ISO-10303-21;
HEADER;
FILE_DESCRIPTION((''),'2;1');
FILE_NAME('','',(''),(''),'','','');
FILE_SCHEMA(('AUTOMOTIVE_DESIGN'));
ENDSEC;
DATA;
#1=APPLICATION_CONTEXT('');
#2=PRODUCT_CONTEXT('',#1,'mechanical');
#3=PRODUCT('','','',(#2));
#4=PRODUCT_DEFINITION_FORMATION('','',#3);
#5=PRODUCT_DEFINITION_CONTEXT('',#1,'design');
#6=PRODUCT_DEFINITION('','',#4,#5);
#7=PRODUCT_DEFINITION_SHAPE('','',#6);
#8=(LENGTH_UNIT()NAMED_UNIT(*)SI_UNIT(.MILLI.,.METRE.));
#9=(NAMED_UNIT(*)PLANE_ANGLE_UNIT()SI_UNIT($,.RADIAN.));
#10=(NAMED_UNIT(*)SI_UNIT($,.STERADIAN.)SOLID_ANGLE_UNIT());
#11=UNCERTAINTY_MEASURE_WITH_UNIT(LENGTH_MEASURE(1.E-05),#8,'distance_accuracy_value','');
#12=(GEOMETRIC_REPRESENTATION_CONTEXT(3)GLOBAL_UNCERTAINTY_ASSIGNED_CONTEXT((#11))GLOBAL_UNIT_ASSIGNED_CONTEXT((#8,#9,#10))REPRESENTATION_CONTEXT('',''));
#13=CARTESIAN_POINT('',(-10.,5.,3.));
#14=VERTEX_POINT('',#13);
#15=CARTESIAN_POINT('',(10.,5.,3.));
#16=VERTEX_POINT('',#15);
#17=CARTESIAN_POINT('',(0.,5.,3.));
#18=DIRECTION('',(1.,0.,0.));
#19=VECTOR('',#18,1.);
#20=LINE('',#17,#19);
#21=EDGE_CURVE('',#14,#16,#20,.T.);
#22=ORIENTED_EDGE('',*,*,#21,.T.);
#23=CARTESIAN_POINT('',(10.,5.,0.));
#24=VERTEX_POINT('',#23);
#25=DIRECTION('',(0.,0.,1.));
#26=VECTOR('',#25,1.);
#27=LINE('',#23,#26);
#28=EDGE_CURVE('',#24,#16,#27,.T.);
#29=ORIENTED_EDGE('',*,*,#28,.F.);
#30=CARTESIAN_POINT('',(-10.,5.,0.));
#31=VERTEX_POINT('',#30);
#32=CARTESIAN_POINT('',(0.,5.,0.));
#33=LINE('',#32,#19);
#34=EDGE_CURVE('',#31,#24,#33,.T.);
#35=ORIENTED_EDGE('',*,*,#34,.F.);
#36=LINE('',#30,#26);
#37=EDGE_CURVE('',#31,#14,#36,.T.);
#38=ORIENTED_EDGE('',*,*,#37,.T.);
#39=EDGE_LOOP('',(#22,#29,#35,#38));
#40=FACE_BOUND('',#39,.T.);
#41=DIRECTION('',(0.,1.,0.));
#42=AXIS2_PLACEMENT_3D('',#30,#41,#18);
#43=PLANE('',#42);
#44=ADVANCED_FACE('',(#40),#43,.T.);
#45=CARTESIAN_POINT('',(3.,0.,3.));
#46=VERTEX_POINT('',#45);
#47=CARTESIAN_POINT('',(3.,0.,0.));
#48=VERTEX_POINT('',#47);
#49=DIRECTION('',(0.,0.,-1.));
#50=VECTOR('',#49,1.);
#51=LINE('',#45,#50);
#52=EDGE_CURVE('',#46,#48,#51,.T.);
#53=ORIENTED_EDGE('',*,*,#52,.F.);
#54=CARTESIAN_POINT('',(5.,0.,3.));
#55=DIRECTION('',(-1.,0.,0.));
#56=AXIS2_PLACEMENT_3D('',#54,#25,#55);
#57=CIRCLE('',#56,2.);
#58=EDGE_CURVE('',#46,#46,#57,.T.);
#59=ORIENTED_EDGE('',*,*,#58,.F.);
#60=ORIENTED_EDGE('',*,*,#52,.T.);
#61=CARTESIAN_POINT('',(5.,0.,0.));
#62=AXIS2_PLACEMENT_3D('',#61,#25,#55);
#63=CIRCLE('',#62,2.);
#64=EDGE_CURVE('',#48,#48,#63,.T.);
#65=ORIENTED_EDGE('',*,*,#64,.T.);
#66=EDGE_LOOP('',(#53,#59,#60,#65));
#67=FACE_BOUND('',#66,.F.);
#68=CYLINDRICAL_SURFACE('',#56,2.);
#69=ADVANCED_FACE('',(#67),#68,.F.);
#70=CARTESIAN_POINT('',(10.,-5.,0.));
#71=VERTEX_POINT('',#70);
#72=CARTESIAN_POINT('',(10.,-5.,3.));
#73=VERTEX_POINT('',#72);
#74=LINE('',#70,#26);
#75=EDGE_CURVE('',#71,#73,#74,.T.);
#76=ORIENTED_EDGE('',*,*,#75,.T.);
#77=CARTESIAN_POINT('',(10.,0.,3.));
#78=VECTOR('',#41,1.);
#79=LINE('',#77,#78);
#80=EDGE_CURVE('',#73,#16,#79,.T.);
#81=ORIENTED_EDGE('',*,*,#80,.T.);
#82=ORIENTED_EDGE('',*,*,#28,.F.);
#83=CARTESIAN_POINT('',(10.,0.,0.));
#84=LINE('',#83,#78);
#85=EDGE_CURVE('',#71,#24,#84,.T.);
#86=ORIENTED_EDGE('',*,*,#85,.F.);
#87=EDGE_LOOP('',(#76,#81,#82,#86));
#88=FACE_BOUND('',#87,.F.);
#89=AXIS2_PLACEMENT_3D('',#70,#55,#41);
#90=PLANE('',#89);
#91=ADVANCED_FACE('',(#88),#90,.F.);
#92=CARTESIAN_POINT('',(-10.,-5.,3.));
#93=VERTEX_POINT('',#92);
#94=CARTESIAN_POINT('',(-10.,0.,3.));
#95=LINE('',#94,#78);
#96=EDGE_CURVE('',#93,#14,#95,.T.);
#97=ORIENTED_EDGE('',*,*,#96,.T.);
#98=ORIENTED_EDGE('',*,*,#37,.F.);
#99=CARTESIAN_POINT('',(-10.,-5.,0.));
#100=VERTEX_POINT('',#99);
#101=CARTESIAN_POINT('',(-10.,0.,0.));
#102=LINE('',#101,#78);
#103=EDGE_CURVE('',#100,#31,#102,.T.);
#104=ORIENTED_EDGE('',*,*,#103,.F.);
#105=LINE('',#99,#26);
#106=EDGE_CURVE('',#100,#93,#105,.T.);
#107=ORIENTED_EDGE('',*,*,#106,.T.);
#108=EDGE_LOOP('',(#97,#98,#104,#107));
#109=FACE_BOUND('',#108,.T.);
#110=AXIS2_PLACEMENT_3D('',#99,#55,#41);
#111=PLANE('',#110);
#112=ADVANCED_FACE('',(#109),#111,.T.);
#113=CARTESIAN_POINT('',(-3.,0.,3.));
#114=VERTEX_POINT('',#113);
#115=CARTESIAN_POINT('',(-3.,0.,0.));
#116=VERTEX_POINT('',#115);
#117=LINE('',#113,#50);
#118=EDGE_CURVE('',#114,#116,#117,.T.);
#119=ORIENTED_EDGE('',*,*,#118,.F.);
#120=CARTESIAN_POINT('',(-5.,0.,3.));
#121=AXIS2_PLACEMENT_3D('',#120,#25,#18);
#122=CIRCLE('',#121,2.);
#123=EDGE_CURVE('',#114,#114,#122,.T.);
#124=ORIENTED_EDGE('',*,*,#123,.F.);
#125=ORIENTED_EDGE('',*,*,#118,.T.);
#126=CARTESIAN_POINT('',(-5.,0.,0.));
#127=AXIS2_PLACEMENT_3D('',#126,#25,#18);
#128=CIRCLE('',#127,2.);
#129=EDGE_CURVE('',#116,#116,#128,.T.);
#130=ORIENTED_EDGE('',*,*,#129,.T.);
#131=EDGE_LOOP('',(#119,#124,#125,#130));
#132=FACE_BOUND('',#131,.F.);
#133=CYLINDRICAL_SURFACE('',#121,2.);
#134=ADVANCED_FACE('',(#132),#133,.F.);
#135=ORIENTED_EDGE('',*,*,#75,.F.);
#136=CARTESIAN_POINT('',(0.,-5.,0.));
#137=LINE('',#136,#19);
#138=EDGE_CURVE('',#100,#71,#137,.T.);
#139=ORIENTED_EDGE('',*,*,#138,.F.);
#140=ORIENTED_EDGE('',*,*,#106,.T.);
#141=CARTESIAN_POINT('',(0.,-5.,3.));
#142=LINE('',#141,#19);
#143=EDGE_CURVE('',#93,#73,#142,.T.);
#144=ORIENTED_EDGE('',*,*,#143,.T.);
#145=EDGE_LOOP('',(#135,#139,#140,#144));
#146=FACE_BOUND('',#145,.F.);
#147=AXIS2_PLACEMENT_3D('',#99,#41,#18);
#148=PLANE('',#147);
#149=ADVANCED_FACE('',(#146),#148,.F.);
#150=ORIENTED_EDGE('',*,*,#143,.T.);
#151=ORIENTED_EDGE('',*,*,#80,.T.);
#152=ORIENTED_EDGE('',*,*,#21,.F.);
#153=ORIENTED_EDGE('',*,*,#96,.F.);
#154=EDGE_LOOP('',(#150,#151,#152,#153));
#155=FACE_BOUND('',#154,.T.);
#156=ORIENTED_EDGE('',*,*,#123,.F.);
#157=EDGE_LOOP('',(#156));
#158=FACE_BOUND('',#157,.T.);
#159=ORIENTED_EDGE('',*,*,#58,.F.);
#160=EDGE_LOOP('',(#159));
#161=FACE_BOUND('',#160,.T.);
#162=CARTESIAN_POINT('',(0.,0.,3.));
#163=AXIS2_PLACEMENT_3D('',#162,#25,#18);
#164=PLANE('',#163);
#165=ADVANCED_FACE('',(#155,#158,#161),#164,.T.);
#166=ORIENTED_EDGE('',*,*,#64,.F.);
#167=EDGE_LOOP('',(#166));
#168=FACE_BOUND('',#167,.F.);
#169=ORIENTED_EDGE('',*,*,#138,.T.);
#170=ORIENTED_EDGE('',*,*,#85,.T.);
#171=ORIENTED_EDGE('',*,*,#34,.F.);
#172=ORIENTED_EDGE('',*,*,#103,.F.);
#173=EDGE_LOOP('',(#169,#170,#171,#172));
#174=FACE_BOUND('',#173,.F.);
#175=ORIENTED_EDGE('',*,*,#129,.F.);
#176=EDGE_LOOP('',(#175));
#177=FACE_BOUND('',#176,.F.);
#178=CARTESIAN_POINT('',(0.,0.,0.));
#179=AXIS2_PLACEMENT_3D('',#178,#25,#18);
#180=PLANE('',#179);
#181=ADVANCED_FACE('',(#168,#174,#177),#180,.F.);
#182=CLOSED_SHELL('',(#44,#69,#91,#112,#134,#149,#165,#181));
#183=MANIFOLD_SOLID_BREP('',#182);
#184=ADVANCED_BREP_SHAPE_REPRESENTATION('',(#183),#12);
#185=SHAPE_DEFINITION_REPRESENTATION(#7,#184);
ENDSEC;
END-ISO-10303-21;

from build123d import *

# Parameters (mm, degrees)
F0_W     = 20
F0_H     = 10
F1_DEPTH = 3
F3_DEPTH = 3


with BuildPart() as f1:
    # F0 (on Top) → F1 (new body)
    with BuildSketch(Plane.XY):
        Rectangle(F0_W, F0_H)
    extrude(amount=F1_DEPTH)

    # F2 (on face) → F3 (cut)
    with BuildSketch(Plane.XY.offset(3)):
        with BuildLine():
            ThreePointArc((7, 0), (5, 2), (3, 0))
            Line((3, 0), (7, 0))
        make_face()
        with BuildLine():
            Line((7, 0), (3, 0))
            ThreePointArc((3, 0), (5, -2), (7, 0))
        make_face()
        with BuildLine():
            ThreePointArc((-7, 0), (-5, -2), (-3, 0))
            Line((-3, 0), (-7, 0))
        make_face()
        with BuildLine():
            Line((-7, 0), (-3, 0))
            ThreePointArc((-3, 0), (-5, 2), (-7, 0))
        make_face()
    extrude(amount=-F3_DEPTH, mode=Mode.SUBTRACT)


solid = f1.part
